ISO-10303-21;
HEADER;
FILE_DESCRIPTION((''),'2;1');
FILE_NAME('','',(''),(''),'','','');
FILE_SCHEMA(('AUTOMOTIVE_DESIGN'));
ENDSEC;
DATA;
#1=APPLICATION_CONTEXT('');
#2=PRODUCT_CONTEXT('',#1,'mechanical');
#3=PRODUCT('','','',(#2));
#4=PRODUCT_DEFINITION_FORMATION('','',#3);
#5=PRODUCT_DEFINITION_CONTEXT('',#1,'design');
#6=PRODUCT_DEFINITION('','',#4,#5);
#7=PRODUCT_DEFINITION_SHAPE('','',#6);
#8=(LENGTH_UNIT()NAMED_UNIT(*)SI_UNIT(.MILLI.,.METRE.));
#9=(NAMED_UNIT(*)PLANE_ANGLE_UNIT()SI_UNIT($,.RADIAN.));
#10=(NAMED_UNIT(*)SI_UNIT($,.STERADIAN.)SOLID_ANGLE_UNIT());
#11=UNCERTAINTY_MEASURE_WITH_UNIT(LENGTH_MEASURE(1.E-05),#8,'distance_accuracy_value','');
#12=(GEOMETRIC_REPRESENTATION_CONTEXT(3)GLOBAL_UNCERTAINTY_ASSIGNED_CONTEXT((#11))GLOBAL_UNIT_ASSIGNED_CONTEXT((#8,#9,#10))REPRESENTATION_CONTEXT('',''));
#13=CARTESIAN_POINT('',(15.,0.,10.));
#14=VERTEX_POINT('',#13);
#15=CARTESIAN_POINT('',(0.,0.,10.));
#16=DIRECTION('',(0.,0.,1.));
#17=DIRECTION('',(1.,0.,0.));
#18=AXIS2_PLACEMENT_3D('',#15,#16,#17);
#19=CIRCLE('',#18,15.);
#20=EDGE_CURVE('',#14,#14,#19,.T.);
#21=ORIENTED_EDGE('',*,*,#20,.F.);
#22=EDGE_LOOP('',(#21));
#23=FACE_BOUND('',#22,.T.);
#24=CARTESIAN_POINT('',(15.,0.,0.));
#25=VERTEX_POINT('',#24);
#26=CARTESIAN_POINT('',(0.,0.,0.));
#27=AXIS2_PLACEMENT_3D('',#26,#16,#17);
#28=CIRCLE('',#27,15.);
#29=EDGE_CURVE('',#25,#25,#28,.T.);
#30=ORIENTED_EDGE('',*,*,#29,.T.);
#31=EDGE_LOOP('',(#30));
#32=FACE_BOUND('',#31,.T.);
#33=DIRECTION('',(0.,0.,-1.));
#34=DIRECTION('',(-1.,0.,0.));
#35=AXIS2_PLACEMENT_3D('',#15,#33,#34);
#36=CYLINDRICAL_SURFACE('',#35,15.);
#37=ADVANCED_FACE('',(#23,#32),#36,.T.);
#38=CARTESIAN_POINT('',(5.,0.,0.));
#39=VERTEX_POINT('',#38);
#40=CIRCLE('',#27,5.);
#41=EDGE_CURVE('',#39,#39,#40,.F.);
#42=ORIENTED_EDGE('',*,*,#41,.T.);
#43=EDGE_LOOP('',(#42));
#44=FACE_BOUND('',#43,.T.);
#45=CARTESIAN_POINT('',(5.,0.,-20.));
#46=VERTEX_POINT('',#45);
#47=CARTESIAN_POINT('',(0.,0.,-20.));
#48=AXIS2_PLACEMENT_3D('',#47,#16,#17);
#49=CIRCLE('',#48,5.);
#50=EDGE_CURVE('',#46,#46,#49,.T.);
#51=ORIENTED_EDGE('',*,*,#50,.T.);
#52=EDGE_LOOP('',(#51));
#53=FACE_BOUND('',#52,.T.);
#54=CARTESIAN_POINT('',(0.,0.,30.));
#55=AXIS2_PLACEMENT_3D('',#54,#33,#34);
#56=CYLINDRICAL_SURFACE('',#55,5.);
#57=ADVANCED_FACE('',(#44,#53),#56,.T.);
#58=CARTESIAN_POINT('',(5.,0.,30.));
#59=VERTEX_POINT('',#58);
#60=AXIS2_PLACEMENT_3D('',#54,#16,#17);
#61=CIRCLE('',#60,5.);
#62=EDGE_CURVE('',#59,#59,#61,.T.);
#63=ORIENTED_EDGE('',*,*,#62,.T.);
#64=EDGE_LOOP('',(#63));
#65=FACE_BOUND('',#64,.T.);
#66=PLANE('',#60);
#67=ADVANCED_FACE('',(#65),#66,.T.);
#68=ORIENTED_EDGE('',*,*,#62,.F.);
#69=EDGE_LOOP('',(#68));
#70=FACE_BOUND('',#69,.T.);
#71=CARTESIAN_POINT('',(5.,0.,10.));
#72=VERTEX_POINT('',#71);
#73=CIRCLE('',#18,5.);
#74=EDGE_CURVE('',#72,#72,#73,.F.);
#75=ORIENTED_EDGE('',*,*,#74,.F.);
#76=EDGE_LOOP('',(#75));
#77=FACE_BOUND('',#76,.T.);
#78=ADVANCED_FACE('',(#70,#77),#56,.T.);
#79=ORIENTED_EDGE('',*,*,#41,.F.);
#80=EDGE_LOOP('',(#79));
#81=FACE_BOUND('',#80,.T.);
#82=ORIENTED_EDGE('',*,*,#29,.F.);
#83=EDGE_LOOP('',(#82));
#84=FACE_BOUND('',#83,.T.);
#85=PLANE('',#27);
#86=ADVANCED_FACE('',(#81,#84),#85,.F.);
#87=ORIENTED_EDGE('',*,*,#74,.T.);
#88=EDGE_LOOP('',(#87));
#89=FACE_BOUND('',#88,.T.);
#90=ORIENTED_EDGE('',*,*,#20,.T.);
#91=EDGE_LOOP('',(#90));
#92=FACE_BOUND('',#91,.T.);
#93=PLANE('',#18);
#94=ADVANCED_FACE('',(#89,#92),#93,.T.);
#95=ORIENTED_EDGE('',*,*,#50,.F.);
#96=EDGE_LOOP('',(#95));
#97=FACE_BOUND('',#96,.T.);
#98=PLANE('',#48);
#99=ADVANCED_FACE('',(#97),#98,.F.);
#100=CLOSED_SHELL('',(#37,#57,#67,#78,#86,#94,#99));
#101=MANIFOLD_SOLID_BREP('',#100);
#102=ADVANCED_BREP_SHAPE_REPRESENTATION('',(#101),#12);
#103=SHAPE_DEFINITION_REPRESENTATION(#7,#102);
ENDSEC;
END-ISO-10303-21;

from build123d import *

# Parameters (mm, degrees)
SKETCH1_R                = 15
BOSS_EXTRUDE1_DEPTH      = 10
BOSS_EXTRUDE2_DEPTH      = 30
BOSS_EXTRUDE2_DEPTH_BACK = 20
SKETCH2_R                = 5


with BuildPart() as part:
    # Sketch1 → Boss-Extrude1 (new body)
    with BuildSketch(Plane.XY):
        Circle(SKETCH1_R)
    extrude(amount=BOSS_EXTRUDE1_DEPTH)

    # Sketch2 → Boss-Extrude2 (add, two sides: drawn at the far end of the back side and taken through both)
    with BuildSketch(Plane.XY.offset(-BOSS_EXTRUDE2_DEPTH_BACK)):
        Circle(SKETCH2_R)
    extrude(amount=BOSS_EXTRUDE2_DEPTH + BOSS_EXTRUDE2_DEPTH_BACK)


solid = part.part
